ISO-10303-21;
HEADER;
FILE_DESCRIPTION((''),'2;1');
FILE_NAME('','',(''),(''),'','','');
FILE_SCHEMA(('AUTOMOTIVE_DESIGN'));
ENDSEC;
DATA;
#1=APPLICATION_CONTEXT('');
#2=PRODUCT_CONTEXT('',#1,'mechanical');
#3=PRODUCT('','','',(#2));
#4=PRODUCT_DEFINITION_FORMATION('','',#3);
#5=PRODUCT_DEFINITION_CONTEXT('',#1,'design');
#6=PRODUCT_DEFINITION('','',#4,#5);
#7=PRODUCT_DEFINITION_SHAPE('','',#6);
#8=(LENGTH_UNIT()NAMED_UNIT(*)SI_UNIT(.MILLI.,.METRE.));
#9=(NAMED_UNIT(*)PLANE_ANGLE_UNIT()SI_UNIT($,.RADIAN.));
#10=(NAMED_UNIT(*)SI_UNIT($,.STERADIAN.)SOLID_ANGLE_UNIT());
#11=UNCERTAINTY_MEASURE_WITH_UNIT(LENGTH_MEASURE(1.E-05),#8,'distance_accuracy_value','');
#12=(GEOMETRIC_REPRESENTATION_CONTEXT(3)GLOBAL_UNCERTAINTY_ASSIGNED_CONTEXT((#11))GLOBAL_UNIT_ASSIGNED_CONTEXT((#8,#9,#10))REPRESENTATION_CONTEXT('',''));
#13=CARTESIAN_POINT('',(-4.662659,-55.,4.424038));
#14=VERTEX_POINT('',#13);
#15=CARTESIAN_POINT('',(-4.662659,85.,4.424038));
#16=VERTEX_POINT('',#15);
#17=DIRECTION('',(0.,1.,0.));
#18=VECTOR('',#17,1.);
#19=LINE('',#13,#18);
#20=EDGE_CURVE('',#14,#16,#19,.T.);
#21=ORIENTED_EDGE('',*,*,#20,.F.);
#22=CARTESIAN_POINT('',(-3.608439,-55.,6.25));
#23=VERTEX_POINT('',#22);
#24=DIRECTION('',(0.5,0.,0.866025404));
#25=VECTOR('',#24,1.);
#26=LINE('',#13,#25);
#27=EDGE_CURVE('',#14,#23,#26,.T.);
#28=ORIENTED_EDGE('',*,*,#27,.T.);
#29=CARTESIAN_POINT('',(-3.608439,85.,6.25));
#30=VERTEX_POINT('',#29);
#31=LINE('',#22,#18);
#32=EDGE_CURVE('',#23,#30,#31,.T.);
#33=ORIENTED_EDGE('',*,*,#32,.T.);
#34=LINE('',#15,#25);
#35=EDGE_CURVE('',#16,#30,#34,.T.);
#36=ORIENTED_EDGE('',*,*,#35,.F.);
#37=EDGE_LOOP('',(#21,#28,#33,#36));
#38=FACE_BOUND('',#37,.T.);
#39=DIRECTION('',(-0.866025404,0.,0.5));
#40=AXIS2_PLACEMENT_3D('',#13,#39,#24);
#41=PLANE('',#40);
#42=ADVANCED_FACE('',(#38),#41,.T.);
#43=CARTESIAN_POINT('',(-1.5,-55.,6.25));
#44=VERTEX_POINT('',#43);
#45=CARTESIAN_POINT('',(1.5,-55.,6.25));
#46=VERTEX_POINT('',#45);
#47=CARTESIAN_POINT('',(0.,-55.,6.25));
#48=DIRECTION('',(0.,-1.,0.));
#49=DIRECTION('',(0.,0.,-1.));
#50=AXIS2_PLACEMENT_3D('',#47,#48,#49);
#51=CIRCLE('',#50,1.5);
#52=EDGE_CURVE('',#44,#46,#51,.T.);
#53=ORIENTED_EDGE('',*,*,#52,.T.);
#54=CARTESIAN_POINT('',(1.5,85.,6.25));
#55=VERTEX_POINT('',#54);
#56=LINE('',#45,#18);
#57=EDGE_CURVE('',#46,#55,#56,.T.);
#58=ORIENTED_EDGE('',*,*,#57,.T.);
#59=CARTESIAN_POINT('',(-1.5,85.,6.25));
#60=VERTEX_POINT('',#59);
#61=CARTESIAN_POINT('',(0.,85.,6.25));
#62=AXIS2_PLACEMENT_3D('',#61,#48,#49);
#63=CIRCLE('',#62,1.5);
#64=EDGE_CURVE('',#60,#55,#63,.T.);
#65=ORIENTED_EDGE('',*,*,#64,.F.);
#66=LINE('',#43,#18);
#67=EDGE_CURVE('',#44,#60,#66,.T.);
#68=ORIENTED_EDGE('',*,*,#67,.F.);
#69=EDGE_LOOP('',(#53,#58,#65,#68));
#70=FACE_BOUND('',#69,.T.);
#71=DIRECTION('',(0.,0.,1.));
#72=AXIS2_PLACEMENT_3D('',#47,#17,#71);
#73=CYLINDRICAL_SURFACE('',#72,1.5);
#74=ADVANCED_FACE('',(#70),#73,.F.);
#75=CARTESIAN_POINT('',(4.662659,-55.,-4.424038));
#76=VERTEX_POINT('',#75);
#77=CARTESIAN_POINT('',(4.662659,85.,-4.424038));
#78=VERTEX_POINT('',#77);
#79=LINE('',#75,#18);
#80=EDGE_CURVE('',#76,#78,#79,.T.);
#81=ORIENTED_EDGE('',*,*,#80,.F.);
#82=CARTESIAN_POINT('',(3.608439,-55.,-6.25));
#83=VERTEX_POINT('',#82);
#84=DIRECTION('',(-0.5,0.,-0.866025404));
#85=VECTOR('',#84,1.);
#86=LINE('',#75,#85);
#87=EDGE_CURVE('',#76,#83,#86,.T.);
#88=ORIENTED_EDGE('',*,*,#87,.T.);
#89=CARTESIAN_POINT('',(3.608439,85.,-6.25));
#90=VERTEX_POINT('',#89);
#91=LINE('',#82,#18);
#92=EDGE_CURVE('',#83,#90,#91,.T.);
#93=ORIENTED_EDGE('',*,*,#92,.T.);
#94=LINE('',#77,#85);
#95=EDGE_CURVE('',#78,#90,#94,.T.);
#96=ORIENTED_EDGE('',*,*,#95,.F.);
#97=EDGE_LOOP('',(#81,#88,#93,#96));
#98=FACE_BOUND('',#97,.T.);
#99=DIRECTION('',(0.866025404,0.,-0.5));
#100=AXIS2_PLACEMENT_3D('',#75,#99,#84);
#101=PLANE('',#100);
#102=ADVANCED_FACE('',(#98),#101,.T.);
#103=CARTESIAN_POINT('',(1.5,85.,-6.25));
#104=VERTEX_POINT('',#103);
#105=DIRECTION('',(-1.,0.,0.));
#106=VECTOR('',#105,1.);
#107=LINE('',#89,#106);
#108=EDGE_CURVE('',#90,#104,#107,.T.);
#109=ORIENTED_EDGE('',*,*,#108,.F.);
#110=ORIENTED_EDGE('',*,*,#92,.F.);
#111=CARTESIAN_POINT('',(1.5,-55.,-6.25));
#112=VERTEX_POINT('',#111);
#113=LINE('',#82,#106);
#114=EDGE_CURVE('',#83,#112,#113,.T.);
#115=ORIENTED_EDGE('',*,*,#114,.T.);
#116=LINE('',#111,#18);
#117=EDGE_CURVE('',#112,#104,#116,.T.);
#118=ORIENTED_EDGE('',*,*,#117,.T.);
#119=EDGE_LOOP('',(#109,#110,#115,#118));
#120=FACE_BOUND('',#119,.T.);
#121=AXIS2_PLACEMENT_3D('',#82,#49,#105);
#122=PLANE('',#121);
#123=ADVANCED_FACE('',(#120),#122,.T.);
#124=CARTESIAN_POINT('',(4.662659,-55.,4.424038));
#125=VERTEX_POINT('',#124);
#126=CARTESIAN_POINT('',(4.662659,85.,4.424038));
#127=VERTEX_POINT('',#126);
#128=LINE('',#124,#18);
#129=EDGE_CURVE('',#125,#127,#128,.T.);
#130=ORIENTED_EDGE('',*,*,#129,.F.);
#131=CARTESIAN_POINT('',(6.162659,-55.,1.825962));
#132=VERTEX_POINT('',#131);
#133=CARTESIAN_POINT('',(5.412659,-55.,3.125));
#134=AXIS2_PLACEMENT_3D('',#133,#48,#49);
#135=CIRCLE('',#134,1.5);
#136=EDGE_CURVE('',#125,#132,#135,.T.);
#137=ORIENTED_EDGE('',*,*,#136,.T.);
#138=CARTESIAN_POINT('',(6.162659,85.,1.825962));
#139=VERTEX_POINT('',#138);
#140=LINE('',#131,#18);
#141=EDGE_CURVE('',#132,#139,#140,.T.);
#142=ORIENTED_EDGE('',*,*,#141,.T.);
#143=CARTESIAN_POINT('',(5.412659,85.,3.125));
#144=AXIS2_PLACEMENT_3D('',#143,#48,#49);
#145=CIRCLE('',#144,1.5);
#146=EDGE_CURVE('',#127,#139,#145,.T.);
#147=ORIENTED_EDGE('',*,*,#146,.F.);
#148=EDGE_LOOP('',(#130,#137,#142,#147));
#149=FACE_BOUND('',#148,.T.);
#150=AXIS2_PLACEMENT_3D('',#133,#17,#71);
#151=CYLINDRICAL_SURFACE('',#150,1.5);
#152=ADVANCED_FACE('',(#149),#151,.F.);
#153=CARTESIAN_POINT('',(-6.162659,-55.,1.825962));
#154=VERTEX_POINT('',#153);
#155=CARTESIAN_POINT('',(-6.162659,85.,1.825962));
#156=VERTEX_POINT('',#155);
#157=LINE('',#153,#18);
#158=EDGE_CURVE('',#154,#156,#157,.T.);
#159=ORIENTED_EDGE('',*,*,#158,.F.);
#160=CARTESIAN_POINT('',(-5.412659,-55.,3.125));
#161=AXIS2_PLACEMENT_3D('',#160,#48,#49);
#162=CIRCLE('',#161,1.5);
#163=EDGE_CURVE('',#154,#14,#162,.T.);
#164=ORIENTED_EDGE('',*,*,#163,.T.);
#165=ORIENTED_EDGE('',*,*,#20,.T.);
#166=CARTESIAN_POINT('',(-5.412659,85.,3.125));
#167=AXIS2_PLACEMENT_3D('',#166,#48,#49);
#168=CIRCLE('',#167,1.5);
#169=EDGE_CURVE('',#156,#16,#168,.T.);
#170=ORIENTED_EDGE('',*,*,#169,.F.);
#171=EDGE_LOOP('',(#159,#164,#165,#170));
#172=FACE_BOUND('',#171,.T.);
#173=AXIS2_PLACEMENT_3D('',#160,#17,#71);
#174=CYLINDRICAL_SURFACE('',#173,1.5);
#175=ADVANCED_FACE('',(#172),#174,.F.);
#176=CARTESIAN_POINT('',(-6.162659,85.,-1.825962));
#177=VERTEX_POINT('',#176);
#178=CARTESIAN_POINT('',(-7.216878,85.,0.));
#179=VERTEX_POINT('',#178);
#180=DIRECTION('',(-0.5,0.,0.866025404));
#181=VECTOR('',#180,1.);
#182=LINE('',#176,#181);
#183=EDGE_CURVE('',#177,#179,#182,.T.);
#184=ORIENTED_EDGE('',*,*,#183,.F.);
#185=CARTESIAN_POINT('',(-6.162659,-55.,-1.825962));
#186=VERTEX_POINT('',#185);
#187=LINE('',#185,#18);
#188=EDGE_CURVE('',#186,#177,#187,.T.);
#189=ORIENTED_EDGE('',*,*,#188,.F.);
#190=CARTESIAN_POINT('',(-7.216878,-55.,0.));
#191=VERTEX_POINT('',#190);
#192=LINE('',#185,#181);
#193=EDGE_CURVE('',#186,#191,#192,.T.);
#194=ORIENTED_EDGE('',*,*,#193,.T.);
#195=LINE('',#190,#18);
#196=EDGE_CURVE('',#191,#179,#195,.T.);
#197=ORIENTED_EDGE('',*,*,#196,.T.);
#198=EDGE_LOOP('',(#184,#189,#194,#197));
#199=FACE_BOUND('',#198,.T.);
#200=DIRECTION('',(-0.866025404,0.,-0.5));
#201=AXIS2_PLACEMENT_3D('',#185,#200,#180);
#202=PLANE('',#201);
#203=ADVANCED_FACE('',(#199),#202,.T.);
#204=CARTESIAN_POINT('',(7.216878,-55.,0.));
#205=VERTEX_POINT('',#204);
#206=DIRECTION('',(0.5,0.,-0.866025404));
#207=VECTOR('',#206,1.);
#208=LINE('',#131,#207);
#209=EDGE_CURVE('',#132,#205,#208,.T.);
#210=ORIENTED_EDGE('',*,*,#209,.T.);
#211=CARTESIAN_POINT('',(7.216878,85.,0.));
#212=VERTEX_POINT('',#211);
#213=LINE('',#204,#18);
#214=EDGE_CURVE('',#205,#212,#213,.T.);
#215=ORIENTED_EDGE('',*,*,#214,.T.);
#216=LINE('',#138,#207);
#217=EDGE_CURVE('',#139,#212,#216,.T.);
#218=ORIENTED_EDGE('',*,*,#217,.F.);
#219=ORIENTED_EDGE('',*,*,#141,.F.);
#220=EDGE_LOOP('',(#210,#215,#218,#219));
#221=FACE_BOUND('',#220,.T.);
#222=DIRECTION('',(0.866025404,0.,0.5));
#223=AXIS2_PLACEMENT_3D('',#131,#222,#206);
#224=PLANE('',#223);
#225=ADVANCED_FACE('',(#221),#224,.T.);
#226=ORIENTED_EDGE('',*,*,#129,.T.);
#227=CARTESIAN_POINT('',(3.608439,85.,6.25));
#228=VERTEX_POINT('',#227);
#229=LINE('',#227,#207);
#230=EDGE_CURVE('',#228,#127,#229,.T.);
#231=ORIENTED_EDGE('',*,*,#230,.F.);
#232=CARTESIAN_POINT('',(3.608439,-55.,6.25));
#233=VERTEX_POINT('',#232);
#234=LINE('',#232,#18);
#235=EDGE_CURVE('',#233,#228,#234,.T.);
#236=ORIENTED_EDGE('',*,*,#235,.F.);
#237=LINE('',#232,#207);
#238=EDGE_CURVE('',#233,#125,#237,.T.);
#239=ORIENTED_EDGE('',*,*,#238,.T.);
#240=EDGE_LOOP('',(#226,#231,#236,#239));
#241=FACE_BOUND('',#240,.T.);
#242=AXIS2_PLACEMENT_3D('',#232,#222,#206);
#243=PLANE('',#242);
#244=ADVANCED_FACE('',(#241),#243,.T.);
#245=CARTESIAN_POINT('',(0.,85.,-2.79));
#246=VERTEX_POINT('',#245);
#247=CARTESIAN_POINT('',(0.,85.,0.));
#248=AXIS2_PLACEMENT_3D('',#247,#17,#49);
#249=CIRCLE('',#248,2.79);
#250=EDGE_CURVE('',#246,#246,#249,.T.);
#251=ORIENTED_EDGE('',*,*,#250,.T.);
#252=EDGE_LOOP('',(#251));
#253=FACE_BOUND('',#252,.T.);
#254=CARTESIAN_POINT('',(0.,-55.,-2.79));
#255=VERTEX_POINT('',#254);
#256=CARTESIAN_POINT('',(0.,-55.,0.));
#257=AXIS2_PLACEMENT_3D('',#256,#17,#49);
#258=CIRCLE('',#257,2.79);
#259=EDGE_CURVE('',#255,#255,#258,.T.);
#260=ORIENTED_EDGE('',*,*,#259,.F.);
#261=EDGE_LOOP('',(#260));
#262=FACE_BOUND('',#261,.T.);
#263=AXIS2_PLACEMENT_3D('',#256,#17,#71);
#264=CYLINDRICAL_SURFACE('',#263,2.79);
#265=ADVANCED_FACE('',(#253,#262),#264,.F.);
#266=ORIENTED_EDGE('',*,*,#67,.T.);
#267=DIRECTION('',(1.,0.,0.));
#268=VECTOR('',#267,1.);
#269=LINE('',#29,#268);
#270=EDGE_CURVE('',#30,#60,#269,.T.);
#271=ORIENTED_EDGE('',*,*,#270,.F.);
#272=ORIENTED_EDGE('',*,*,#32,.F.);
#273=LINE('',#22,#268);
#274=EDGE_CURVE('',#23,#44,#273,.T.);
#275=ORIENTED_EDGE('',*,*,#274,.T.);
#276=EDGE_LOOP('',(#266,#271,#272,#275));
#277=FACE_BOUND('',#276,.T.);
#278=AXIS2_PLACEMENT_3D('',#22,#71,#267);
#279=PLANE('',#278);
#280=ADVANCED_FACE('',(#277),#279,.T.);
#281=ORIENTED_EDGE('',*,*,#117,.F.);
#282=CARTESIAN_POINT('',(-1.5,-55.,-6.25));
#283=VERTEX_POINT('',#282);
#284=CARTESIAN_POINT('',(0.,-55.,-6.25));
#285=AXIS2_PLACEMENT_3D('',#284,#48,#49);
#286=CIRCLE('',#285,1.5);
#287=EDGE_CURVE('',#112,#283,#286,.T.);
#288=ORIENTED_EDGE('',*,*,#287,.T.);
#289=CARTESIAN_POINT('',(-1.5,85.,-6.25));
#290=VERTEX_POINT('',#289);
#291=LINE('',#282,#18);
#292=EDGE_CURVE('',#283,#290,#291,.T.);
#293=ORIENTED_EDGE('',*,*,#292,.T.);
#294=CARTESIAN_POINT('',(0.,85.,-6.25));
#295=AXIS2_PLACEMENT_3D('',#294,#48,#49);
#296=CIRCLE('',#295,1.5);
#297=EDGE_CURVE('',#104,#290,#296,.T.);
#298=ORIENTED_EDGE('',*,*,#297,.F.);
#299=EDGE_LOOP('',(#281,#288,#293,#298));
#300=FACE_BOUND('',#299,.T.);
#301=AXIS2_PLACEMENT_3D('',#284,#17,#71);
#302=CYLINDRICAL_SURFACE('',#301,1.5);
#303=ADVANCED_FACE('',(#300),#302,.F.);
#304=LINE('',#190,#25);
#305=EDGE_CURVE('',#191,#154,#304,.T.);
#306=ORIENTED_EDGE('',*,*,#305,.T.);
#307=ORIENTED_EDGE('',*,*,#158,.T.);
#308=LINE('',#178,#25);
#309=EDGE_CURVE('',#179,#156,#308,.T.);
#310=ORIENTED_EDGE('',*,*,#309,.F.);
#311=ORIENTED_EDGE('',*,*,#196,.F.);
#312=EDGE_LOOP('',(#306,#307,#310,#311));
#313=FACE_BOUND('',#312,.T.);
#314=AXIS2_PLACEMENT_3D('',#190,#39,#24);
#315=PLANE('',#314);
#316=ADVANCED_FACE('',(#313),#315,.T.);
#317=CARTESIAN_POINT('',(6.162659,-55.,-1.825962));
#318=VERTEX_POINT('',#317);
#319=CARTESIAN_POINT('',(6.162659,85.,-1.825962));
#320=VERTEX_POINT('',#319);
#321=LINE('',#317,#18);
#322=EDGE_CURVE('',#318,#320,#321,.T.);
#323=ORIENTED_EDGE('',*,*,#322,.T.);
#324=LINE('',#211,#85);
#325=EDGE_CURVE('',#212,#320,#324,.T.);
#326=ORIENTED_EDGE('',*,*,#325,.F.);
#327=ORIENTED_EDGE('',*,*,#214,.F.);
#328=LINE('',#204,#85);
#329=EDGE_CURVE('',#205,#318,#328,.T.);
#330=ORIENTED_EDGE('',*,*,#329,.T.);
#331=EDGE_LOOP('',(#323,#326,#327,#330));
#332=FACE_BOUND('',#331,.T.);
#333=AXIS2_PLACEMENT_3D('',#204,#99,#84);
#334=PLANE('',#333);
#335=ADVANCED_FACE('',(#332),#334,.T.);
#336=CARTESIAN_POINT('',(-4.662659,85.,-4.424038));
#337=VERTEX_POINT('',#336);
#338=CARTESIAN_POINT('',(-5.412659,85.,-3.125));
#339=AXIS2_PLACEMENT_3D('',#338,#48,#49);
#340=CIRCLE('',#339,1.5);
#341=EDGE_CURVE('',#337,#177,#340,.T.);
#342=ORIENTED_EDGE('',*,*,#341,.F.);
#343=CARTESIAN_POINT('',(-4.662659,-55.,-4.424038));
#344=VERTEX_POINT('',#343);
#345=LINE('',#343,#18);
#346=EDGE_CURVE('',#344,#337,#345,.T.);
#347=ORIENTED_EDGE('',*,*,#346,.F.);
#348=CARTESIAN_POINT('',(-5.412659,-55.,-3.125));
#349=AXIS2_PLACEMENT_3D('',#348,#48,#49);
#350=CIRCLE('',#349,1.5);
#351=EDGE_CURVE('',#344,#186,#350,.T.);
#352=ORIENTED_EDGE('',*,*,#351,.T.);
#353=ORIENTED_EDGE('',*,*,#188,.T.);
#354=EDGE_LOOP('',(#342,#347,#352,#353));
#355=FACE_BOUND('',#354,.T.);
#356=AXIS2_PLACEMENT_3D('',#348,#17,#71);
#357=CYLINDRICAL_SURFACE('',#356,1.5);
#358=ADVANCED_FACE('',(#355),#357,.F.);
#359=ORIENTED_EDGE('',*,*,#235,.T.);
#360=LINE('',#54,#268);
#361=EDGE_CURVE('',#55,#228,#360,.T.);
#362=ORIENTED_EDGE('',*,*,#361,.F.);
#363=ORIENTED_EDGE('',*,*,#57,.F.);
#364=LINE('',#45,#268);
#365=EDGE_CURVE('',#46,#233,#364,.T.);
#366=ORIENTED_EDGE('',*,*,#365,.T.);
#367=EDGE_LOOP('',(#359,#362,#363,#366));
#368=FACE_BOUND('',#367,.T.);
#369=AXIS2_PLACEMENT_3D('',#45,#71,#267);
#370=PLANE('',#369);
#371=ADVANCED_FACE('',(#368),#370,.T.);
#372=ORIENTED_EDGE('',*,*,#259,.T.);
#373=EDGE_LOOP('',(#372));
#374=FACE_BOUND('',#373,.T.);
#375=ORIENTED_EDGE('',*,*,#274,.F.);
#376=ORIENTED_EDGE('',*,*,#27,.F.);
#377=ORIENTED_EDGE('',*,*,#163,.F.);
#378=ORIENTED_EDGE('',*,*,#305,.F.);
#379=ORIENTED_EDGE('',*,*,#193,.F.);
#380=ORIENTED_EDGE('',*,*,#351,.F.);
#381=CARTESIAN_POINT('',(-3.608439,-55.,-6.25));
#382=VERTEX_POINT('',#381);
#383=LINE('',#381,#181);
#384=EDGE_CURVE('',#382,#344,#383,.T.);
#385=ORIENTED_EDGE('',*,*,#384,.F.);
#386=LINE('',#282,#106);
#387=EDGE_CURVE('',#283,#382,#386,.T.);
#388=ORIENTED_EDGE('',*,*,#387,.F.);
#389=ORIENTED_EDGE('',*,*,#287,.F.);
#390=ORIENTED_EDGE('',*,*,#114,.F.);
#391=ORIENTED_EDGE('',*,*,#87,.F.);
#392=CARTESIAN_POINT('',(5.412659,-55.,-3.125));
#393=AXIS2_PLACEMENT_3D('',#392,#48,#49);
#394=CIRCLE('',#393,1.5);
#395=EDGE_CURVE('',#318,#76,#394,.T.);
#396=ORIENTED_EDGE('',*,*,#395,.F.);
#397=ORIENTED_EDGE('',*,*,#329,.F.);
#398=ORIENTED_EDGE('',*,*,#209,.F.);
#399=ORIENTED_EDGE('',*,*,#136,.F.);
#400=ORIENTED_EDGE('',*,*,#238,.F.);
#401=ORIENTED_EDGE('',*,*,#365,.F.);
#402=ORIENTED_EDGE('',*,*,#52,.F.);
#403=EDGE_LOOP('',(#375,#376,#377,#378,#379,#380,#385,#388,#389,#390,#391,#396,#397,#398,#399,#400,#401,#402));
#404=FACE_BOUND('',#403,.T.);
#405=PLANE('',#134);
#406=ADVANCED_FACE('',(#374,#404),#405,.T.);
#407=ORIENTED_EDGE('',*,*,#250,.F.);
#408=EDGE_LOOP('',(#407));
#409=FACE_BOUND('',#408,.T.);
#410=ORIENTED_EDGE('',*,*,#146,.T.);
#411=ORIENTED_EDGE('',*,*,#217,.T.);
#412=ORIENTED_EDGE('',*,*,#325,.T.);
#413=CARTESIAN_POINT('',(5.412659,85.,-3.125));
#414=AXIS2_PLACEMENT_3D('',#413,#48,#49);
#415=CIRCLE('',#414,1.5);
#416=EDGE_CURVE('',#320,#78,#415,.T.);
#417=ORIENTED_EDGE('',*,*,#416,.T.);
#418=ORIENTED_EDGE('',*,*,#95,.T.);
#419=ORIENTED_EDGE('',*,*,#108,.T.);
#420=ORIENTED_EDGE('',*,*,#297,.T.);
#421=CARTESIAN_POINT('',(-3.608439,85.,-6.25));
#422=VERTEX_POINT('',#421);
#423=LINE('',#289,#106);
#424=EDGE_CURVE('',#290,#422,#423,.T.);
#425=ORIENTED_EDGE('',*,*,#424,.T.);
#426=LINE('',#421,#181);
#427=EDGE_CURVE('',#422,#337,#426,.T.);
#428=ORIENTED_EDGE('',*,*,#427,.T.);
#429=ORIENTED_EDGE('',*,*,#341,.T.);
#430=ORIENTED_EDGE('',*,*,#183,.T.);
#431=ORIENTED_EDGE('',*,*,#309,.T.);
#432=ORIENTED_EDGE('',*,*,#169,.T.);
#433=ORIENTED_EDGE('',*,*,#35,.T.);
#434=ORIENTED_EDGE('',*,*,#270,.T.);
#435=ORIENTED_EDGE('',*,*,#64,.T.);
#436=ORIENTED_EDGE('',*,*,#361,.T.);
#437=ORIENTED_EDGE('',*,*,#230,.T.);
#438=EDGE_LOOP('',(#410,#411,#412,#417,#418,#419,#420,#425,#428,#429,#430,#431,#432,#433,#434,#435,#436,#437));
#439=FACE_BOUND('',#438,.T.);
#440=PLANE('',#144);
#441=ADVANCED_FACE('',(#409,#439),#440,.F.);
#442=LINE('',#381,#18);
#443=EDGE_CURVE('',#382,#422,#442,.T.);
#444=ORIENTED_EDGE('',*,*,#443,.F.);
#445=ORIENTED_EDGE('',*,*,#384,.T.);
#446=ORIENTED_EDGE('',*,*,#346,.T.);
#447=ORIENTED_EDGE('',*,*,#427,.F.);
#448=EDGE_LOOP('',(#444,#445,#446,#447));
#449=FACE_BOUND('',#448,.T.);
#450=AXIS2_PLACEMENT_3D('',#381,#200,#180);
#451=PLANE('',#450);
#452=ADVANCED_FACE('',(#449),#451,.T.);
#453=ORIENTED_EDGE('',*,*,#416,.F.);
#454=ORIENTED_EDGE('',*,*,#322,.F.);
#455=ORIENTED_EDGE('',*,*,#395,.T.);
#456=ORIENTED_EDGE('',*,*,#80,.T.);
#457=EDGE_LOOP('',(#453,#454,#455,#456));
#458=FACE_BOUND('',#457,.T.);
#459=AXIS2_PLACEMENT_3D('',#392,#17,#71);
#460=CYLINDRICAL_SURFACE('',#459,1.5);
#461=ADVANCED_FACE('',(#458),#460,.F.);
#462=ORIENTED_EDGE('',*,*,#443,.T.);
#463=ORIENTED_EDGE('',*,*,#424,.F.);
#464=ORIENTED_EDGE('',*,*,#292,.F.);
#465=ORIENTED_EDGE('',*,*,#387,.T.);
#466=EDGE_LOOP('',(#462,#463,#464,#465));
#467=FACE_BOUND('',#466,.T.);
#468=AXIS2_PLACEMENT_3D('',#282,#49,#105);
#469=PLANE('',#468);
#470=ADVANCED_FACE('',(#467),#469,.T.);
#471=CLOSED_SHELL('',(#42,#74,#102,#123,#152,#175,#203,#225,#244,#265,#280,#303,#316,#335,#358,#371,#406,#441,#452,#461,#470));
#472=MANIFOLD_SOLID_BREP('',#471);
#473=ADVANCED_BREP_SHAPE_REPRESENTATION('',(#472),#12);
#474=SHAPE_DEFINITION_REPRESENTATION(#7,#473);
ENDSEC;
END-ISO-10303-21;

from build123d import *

# Parameters (mm, degrees)
ESBO_O1_R                = 2.79
RESSALTO_EXTRUS_O1_DEPTH = 140


with BuildPart() as part:
    # Esboço1 → Ressalto-extrusão1 (new body)
    with BuildSketch(Plane(origin=(0, 85, 0), x_dir=(1, 0, 0), z_dir=(0, 1, 0))):
        with BuildLine():
            Line((6.162658774, -1.825961894), (7.216878365, 0))
            Line((7.216878365, 0), (6.162658774, 1.825961894))
            ThreePointArc((6.162658774, 1.825961894), (4.113620668, 2.375), (4.662658774, 4.424038106))
            Line((4.662658774, 4.424038106), (3.608439182, 6.25))
            Line((3.608439182, 6.25), (1.5, 6.25))
            ThreePointArc((1.5, 6.25), (0, 4.75), (-1.5, 6.25))
            Line((-1.5, 6.25), (-3.608439182, 6.25))
            Line((-3.608439182, 6.25), (-4.662658774, 4.424038106))
            ThreePointArc((-4.662658774, 4.424038106), (-4.113620668, 2.375), (-6.162658774, 1.825961894))
            Line((-6.162658774, 1.825961894), (-7.216878365, 0))
            Line((-7.216878365, 0), (-6.162658774, -1.825961894))
            ThreePointArc((-6.162658774, -1.825961894), (-4.113620668, -2.375), (-4.662658774, -4.424038106))
            Line((-4.662658774, -4.424038106), (-3.608439182, -6.25))
            Line((-3.608439182, -6.25), (-1.5, -6.25))
            ThreePointArc((-1.5, -6.25), (0, -4.75), (1.5, -6.25))
            Line((1.5, -6.25), (3.608439182, -6.25))
            Line((3.608439182, -6.25), (4.662658774, -4.424038106))
            ThreePointArc((4.662658774, -4.424038106), (4.113620668, -2.375), (6.162658774, -1.825961894))
        make_face()
        with Locations(Location((0, 0, 0), (0, 0, 90))):
            Circle(ESBO_O1_R, mode=Mode.SUBTRACT)
    extrude(amount=-RESSALTO_EXTRUS_O1_DEPTH)


solid = part.part
